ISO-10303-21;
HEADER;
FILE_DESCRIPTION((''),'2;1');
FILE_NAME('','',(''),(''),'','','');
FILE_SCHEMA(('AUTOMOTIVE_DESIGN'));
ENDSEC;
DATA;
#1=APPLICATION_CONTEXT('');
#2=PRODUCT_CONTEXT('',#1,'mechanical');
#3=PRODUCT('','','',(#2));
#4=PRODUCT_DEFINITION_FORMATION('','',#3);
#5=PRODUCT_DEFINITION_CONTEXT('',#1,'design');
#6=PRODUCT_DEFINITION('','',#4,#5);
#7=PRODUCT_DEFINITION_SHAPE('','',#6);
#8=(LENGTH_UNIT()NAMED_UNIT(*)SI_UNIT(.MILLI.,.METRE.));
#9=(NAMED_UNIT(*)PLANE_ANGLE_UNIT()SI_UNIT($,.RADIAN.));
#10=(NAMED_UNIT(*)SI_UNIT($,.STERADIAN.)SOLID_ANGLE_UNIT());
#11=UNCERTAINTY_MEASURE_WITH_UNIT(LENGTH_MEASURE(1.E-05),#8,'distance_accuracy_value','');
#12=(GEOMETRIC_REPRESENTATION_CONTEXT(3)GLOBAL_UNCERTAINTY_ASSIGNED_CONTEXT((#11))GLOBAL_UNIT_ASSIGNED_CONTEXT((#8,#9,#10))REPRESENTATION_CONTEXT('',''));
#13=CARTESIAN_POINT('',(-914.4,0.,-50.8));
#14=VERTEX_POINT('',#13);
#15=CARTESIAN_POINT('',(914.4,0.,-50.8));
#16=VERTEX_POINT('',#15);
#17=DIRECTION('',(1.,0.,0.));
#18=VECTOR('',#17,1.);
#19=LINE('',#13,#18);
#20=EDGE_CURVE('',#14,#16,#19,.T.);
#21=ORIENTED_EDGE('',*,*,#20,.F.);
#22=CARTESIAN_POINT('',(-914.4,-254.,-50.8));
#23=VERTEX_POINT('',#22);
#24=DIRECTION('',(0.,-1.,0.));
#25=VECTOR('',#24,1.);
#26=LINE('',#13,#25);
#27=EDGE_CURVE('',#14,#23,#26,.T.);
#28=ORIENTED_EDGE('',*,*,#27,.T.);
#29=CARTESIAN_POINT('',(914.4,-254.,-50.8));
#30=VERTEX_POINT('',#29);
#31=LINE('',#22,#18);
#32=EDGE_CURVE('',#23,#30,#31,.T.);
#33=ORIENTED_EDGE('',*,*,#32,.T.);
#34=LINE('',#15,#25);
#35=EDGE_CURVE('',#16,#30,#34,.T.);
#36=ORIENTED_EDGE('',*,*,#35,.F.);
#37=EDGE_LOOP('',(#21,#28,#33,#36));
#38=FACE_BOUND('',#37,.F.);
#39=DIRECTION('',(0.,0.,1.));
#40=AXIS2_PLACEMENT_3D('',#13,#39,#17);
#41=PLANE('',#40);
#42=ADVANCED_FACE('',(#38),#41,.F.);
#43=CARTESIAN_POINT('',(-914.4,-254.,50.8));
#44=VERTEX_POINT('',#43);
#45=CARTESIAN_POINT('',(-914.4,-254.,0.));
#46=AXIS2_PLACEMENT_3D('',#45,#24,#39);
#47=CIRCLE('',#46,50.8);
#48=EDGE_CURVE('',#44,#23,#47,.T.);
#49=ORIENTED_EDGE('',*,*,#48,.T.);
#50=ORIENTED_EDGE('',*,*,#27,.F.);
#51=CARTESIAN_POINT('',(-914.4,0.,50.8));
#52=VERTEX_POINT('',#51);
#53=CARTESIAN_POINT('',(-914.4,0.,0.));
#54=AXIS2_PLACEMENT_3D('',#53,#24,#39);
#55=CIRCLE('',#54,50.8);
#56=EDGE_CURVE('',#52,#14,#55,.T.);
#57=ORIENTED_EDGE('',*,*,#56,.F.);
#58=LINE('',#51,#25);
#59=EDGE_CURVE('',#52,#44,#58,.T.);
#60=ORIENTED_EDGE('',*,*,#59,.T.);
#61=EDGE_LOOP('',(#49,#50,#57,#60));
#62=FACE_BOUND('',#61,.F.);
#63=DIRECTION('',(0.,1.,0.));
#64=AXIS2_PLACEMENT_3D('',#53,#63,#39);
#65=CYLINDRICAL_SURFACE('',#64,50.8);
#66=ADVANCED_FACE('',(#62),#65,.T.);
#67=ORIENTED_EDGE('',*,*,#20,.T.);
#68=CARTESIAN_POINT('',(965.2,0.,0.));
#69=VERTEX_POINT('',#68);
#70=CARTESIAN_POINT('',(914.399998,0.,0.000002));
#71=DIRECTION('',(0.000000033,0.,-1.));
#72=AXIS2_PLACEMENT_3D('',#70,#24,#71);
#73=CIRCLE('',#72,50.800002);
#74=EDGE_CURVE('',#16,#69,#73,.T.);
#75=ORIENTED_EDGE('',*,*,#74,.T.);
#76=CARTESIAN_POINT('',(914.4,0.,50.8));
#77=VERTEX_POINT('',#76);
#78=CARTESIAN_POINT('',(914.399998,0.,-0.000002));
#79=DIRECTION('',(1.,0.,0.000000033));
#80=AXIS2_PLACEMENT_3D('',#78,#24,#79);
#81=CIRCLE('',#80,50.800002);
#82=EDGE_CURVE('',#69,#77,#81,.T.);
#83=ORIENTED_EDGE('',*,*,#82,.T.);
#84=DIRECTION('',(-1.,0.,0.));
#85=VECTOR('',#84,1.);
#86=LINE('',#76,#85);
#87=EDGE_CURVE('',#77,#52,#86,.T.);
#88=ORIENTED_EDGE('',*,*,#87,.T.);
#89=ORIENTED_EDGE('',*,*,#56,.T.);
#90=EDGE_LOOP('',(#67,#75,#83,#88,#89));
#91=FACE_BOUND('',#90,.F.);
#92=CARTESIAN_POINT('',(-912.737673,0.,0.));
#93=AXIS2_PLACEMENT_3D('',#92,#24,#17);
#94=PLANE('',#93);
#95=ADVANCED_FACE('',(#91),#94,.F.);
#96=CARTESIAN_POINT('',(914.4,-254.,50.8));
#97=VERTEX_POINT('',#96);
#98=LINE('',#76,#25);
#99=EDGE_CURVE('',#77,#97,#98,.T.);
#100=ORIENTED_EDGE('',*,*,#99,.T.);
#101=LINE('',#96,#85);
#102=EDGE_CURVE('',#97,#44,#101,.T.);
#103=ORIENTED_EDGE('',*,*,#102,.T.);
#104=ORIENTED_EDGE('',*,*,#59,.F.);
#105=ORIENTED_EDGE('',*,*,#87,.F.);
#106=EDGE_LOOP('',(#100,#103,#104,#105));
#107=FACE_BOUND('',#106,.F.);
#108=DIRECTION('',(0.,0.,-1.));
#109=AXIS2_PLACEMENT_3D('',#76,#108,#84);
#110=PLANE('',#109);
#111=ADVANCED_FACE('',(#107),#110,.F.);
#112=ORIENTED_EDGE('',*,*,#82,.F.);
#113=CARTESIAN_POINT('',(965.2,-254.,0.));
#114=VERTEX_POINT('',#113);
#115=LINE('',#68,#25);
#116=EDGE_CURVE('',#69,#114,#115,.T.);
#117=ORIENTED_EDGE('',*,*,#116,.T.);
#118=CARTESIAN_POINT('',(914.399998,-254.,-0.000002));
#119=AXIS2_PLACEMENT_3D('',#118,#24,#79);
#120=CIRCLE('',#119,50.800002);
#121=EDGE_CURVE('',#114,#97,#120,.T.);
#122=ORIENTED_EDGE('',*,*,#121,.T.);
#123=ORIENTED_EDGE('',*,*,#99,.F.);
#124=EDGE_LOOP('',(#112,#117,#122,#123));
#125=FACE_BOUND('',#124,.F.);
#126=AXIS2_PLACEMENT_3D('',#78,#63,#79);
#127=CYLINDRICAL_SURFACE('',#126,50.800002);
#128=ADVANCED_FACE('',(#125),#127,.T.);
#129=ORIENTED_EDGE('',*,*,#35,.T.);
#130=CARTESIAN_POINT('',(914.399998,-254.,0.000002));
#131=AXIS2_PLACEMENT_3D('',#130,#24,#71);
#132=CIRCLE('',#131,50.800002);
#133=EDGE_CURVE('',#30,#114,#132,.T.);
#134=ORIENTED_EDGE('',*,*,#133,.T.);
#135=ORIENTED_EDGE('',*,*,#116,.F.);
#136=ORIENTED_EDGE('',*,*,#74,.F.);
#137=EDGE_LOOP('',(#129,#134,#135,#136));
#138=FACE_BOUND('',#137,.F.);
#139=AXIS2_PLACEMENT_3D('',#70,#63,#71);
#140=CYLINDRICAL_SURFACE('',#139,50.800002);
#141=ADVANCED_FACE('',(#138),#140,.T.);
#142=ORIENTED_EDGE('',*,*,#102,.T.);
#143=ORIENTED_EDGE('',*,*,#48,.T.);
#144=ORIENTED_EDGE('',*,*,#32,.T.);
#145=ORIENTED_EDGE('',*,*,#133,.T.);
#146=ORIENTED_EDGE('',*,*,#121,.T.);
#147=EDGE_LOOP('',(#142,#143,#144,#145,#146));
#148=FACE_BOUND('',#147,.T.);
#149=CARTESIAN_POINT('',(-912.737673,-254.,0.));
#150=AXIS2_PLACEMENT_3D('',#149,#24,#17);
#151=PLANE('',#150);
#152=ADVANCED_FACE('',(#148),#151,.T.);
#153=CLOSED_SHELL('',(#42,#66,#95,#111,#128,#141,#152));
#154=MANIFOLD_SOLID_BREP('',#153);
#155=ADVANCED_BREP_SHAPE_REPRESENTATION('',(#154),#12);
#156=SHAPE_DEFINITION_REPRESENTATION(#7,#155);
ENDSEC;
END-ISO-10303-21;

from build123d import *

# Parameters (mm, degrees)
F1_DEPTH = 254


with BuildPart() as f1:
    # F0 (on Front) → F1 (new body)
    with BuildSketch(Plane.XZ):
        with BuildLine():
            ThreePointArc((-914.4, 50.8), (-965.2, 0), (-914.4, -50.8))
            ThreePointArc((-914.4, -50.8), (-878.478976, -35.921024), (-863.6, 0))
            ThreePointArc((-863.6, 0), (-878.478976, 35.921024), (-914.4, 50.8))
        make_face()
        with BuildLine():
            ThreePointArc((914.4, 50.8), (863.6, 0), (914.4, -50.8))
            ThreePointArc((914.4, -50.8), (950.321024, -35.921024), (965.2, 0))
            ThreePointArc((965.2, 0), (950.321024, 35.921024), (914.4, 50.8))
        make_face()
        with BuildLine():
            ThreePointArc((-863.6, 0), (-878.478976, -35.921024), (-914.4, -50.8))
            Line((-914.4, -50.8), (914.4, -50.8))
            ThreePointArc((914.4, -50.8), (863.6, 0), (914.4, 50.8))
            Line((914.4, 50.8), (-914.4, 50.8))
            ThreePointArc((-914.4, 50.8), (-878.478976, 35.921024), (-863.6, 0))
        make_face()
    extrude(amount=F1_DEPTH)


solid = f1.part
